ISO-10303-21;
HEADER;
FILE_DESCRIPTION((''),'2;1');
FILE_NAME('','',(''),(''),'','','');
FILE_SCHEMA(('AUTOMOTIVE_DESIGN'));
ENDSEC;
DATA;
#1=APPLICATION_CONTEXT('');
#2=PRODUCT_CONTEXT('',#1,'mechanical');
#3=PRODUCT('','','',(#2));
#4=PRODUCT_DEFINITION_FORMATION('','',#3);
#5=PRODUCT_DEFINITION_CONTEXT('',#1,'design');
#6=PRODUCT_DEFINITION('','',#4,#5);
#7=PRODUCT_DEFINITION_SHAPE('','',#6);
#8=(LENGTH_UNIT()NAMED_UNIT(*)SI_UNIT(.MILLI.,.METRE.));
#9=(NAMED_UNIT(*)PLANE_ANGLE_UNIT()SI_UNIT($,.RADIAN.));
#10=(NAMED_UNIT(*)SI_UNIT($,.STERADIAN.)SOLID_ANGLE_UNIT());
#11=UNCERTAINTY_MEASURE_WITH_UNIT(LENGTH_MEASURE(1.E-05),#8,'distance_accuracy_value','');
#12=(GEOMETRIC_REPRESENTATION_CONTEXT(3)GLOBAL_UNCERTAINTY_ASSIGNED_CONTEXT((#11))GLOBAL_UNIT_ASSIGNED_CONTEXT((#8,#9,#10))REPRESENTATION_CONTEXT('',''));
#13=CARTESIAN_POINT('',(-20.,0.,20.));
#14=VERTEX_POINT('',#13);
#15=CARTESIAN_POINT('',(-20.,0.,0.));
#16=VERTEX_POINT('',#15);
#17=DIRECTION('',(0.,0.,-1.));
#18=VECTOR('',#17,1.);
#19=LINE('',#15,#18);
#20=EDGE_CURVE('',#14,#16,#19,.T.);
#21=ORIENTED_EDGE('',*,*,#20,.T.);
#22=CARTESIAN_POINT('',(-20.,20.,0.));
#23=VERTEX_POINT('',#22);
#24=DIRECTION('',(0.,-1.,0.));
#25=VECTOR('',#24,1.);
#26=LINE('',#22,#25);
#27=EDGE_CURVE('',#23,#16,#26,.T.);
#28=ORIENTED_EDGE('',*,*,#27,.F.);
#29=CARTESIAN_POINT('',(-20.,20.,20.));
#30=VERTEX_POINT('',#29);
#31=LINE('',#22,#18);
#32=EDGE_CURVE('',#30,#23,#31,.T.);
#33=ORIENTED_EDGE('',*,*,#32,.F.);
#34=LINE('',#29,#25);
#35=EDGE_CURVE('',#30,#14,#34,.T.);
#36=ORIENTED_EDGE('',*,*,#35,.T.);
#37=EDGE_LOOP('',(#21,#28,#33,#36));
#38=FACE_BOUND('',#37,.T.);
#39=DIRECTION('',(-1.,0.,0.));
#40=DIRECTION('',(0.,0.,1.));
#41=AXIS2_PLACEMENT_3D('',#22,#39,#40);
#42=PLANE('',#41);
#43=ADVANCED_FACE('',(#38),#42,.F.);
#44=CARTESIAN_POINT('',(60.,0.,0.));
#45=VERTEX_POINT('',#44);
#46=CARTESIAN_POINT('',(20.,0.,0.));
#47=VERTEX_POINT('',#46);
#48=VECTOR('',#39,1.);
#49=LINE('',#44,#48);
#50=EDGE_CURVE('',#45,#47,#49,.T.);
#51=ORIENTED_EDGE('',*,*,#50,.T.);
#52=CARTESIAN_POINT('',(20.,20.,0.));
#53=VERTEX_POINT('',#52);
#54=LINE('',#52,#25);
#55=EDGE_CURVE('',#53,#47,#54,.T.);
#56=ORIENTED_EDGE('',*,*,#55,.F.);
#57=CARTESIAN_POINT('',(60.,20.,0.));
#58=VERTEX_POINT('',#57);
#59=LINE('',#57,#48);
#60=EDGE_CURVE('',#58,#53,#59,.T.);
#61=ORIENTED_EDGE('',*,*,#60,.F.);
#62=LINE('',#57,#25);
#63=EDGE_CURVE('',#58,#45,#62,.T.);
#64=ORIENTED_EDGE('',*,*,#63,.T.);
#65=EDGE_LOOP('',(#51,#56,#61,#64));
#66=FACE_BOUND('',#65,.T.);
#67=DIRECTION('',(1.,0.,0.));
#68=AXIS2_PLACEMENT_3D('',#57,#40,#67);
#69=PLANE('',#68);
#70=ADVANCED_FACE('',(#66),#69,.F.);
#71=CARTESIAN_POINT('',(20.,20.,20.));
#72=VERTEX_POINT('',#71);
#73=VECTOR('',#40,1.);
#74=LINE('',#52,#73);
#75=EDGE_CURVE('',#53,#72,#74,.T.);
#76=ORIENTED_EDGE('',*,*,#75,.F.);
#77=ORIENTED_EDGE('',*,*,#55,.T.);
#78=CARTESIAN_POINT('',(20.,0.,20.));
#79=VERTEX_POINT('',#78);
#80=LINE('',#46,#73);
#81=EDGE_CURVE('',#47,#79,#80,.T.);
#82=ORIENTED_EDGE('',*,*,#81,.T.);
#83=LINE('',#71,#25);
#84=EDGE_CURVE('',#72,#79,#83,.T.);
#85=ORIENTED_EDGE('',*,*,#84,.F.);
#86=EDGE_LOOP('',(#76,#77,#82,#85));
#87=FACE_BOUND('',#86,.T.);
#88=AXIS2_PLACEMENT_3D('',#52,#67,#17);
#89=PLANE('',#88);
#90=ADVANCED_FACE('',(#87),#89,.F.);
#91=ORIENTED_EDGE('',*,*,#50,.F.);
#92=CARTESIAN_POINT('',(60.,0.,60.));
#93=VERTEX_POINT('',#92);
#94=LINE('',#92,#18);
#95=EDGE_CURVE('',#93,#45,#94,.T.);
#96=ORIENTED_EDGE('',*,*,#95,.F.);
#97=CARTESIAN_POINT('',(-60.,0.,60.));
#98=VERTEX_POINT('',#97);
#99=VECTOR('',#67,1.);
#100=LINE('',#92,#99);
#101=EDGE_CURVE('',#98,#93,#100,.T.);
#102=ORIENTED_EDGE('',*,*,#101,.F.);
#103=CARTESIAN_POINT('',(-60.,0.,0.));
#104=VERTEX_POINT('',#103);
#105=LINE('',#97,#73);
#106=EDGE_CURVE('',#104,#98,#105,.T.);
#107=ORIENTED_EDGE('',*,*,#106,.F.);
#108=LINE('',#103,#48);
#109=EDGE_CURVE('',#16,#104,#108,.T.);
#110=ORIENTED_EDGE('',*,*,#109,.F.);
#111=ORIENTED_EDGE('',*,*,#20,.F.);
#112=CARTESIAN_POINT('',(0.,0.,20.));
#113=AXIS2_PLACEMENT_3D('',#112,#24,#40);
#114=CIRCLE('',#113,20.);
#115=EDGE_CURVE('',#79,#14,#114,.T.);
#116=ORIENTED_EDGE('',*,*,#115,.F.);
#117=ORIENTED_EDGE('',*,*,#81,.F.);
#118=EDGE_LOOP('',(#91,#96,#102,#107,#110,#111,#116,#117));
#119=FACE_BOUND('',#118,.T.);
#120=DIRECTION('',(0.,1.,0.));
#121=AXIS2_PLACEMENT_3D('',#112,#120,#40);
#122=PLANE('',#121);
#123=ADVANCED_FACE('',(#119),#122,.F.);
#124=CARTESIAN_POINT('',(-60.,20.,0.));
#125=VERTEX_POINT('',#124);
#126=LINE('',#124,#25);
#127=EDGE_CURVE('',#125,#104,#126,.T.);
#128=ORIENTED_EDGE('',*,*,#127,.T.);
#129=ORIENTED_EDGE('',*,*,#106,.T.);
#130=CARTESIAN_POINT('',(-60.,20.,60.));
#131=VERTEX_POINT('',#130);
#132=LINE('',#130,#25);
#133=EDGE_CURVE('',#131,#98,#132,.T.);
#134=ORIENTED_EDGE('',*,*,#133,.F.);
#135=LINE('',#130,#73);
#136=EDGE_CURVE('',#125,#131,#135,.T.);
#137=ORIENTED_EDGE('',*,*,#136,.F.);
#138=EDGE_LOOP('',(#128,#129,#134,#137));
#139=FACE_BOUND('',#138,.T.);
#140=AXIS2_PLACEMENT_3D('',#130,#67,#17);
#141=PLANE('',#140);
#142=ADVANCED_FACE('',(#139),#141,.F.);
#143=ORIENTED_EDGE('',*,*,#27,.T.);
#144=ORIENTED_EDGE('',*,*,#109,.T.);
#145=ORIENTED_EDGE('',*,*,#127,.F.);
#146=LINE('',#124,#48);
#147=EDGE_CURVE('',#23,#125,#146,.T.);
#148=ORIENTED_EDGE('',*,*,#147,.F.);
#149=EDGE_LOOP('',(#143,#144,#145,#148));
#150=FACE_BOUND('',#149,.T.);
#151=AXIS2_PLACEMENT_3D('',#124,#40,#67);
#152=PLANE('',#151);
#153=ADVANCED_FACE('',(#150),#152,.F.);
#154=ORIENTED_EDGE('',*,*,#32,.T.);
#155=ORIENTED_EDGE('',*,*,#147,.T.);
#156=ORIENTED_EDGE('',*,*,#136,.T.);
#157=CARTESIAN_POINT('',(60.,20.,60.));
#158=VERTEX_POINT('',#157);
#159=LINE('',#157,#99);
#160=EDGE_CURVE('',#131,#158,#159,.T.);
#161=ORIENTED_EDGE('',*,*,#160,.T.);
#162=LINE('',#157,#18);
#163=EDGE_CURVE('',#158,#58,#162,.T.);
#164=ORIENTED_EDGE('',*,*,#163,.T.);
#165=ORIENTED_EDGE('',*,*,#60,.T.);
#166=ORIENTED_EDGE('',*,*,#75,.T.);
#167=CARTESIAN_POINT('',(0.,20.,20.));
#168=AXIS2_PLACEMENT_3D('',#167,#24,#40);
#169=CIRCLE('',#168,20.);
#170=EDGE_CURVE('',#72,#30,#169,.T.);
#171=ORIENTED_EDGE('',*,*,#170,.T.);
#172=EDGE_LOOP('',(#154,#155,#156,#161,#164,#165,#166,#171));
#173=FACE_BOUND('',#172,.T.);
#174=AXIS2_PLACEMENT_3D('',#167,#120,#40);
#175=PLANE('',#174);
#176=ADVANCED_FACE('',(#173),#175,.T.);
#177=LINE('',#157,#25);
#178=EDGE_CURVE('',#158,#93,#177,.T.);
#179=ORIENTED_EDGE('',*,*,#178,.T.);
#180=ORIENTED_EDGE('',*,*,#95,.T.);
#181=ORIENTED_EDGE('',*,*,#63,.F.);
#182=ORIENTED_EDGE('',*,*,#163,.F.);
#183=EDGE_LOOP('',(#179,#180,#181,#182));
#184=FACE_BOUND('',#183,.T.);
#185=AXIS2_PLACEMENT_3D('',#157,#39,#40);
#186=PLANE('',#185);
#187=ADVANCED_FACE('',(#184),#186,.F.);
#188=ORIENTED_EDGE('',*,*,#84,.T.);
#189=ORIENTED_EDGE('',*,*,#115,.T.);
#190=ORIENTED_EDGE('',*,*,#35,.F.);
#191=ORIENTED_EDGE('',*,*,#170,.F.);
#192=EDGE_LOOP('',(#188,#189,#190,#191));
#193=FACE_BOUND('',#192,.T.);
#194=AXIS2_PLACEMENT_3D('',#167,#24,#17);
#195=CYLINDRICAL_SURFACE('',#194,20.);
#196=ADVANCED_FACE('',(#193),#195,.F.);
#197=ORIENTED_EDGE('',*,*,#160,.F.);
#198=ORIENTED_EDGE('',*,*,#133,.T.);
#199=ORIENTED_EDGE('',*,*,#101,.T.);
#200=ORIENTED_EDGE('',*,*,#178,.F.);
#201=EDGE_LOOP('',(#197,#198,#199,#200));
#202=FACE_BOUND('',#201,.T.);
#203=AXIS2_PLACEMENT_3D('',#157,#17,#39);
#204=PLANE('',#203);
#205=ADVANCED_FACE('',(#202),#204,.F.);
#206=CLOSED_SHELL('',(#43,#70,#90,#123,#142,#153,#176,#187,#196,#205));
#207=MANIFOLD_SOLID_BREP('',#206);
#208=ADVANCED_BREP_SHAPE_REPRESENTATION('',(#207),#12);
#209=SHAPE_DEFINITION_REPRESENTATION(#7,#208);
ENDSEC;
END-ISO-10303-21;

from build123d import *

# Parameters (mm, degrees)
BOSS_EXTRUDE1_DEPTH = 20


with BuildPart() as part:
    # Sketch2 → Boss-Extrude1 (new body)
    with BuildSketch(Plane(origin=(0, 0, 0), x_dir=(1, 0, 0), z_dir=(0, 1, 0))):
        with BuildLine():
            Line((-20, 0), (-20, -20))
            ThreePointArc((-20, -20), (0, -40), (20, -20))
            Line((20, -20), (20, 0))
            Line((20, 0), (60, 0))
            Line((60, 0), (60, -60))
            Line((60, -60), (-60, -60))
            Line((-60, -60), (-60, 0))
            Line((-60, 0), (-20, 0))
        make_face()
    extrude(amount=BOSS_EXTRUDE1_DEPTH)


solid = part.part
